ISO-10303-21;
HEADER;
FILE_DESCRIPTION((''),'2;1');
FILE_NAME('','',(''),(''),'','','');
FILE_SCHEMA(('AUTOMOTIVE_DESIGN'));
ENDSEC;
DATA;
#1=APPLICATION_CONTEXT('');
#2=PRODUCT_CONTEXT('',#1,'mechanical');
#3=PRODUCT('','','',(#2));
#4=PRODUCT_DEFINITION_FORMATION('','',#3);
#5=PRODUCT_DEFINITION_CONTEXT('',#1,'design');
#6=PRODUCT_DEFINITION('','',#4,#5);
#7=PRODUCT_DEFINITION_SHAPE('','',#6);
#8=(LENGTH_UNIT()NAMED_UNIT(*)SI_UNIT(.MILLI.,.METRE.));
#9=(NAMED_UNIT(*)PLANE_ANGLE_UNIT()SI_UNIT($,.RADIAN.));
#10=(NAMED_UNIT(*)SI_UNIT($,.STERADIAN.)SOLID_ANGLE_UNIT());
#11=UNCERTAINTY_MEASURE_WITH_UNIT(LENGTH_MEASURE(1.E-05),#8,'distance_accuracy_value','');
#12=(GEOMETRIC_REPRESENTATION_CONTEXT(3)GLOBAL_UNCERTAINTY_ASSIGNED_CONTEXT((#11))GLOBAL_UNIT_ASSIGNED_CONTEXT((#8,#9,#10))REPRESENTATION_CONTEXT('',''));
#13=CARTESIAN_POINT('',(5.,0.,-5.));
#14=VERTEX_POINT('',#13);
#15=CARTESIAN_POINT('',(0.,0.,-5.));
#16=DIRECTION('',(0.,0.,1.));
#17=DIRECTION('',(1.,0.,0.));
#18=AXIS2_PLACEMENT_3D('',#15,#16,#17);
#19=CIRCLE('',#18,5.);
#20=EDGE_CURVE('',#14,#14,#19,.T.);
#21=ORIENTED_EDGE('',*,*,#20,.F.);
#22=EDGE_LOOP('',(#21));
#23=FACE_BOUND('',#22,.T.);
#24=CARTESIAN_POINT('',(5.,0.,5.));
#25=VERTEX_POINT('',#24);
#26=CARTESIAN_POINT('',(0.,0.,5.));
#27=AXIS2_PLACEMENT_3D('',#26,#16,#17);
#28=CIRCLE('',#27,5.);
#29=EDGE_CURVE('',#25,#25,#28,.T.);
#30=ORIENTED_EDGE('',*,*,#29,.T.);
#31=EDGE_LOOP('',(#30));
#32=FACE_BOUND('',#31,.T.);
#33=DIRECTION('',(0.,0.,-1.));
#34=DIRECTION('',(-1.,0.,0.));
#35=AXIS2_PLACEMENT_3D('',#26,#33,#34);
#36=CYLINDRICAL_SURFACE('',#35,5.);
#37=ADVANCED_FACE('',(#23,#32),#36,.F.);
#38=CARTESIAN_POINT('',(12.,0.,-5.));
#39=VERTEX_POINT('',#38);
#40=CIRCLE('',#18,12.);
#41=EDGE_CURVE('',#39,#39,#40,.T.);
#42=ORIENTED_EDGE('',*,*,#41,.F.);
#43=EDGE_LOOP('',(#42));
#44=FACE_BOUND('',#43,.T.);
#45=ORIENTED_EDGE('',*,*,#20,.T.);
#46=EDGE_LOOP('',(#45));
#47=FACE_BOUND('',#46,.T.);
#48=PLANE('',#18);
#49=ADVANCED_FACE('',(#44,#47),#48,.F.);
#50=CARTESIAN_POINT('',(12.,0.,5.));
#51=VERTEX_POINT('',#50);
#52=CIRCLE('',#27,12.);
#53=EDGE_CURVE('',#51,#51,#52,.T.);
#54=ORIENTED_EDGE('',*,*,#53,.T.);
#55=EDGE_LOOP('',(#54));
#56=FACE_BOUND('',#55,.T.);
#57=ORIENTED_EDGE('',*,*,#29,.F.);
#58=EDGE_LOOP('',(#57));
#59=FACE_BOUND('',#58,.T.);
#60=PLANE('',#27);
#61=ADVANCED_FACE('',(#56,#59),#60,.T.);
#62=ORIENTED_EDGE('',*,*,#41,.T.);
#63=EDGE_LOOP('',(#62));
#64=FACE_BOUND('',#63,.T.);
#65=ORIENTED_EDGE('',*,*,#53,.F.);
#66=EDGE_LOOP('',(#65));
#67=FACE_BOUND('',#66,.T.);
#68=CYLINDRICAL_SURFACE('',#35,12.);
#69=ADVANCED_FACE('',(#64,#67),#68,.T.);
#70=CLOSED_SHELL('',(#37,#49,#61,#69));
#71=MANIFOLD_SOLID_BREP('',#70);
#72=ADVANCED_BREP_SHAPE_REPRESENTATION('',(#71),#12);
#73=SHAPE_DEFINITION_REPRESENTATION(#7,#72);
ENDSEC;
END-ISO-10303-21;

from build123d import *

# Parameters (mm, degrees)
SKETCH_1_R      = 12
SKETCH_1_R_2    = 5
EXTRUDE_1_DEPTH = 5


with BuildPart() as part:
    # 草图1 → 凸台-拉伸1 (new body, symmetric)
    with BuildSketch(Plane.XY):
        Circle(SKETCH_1_R)
        Circle(SKETCH_1_R_2, mode=Mode.SUBTRACT)
    extrude(amount=EXTRUDE_1_DEPTH, both=True)


solid = part.part
